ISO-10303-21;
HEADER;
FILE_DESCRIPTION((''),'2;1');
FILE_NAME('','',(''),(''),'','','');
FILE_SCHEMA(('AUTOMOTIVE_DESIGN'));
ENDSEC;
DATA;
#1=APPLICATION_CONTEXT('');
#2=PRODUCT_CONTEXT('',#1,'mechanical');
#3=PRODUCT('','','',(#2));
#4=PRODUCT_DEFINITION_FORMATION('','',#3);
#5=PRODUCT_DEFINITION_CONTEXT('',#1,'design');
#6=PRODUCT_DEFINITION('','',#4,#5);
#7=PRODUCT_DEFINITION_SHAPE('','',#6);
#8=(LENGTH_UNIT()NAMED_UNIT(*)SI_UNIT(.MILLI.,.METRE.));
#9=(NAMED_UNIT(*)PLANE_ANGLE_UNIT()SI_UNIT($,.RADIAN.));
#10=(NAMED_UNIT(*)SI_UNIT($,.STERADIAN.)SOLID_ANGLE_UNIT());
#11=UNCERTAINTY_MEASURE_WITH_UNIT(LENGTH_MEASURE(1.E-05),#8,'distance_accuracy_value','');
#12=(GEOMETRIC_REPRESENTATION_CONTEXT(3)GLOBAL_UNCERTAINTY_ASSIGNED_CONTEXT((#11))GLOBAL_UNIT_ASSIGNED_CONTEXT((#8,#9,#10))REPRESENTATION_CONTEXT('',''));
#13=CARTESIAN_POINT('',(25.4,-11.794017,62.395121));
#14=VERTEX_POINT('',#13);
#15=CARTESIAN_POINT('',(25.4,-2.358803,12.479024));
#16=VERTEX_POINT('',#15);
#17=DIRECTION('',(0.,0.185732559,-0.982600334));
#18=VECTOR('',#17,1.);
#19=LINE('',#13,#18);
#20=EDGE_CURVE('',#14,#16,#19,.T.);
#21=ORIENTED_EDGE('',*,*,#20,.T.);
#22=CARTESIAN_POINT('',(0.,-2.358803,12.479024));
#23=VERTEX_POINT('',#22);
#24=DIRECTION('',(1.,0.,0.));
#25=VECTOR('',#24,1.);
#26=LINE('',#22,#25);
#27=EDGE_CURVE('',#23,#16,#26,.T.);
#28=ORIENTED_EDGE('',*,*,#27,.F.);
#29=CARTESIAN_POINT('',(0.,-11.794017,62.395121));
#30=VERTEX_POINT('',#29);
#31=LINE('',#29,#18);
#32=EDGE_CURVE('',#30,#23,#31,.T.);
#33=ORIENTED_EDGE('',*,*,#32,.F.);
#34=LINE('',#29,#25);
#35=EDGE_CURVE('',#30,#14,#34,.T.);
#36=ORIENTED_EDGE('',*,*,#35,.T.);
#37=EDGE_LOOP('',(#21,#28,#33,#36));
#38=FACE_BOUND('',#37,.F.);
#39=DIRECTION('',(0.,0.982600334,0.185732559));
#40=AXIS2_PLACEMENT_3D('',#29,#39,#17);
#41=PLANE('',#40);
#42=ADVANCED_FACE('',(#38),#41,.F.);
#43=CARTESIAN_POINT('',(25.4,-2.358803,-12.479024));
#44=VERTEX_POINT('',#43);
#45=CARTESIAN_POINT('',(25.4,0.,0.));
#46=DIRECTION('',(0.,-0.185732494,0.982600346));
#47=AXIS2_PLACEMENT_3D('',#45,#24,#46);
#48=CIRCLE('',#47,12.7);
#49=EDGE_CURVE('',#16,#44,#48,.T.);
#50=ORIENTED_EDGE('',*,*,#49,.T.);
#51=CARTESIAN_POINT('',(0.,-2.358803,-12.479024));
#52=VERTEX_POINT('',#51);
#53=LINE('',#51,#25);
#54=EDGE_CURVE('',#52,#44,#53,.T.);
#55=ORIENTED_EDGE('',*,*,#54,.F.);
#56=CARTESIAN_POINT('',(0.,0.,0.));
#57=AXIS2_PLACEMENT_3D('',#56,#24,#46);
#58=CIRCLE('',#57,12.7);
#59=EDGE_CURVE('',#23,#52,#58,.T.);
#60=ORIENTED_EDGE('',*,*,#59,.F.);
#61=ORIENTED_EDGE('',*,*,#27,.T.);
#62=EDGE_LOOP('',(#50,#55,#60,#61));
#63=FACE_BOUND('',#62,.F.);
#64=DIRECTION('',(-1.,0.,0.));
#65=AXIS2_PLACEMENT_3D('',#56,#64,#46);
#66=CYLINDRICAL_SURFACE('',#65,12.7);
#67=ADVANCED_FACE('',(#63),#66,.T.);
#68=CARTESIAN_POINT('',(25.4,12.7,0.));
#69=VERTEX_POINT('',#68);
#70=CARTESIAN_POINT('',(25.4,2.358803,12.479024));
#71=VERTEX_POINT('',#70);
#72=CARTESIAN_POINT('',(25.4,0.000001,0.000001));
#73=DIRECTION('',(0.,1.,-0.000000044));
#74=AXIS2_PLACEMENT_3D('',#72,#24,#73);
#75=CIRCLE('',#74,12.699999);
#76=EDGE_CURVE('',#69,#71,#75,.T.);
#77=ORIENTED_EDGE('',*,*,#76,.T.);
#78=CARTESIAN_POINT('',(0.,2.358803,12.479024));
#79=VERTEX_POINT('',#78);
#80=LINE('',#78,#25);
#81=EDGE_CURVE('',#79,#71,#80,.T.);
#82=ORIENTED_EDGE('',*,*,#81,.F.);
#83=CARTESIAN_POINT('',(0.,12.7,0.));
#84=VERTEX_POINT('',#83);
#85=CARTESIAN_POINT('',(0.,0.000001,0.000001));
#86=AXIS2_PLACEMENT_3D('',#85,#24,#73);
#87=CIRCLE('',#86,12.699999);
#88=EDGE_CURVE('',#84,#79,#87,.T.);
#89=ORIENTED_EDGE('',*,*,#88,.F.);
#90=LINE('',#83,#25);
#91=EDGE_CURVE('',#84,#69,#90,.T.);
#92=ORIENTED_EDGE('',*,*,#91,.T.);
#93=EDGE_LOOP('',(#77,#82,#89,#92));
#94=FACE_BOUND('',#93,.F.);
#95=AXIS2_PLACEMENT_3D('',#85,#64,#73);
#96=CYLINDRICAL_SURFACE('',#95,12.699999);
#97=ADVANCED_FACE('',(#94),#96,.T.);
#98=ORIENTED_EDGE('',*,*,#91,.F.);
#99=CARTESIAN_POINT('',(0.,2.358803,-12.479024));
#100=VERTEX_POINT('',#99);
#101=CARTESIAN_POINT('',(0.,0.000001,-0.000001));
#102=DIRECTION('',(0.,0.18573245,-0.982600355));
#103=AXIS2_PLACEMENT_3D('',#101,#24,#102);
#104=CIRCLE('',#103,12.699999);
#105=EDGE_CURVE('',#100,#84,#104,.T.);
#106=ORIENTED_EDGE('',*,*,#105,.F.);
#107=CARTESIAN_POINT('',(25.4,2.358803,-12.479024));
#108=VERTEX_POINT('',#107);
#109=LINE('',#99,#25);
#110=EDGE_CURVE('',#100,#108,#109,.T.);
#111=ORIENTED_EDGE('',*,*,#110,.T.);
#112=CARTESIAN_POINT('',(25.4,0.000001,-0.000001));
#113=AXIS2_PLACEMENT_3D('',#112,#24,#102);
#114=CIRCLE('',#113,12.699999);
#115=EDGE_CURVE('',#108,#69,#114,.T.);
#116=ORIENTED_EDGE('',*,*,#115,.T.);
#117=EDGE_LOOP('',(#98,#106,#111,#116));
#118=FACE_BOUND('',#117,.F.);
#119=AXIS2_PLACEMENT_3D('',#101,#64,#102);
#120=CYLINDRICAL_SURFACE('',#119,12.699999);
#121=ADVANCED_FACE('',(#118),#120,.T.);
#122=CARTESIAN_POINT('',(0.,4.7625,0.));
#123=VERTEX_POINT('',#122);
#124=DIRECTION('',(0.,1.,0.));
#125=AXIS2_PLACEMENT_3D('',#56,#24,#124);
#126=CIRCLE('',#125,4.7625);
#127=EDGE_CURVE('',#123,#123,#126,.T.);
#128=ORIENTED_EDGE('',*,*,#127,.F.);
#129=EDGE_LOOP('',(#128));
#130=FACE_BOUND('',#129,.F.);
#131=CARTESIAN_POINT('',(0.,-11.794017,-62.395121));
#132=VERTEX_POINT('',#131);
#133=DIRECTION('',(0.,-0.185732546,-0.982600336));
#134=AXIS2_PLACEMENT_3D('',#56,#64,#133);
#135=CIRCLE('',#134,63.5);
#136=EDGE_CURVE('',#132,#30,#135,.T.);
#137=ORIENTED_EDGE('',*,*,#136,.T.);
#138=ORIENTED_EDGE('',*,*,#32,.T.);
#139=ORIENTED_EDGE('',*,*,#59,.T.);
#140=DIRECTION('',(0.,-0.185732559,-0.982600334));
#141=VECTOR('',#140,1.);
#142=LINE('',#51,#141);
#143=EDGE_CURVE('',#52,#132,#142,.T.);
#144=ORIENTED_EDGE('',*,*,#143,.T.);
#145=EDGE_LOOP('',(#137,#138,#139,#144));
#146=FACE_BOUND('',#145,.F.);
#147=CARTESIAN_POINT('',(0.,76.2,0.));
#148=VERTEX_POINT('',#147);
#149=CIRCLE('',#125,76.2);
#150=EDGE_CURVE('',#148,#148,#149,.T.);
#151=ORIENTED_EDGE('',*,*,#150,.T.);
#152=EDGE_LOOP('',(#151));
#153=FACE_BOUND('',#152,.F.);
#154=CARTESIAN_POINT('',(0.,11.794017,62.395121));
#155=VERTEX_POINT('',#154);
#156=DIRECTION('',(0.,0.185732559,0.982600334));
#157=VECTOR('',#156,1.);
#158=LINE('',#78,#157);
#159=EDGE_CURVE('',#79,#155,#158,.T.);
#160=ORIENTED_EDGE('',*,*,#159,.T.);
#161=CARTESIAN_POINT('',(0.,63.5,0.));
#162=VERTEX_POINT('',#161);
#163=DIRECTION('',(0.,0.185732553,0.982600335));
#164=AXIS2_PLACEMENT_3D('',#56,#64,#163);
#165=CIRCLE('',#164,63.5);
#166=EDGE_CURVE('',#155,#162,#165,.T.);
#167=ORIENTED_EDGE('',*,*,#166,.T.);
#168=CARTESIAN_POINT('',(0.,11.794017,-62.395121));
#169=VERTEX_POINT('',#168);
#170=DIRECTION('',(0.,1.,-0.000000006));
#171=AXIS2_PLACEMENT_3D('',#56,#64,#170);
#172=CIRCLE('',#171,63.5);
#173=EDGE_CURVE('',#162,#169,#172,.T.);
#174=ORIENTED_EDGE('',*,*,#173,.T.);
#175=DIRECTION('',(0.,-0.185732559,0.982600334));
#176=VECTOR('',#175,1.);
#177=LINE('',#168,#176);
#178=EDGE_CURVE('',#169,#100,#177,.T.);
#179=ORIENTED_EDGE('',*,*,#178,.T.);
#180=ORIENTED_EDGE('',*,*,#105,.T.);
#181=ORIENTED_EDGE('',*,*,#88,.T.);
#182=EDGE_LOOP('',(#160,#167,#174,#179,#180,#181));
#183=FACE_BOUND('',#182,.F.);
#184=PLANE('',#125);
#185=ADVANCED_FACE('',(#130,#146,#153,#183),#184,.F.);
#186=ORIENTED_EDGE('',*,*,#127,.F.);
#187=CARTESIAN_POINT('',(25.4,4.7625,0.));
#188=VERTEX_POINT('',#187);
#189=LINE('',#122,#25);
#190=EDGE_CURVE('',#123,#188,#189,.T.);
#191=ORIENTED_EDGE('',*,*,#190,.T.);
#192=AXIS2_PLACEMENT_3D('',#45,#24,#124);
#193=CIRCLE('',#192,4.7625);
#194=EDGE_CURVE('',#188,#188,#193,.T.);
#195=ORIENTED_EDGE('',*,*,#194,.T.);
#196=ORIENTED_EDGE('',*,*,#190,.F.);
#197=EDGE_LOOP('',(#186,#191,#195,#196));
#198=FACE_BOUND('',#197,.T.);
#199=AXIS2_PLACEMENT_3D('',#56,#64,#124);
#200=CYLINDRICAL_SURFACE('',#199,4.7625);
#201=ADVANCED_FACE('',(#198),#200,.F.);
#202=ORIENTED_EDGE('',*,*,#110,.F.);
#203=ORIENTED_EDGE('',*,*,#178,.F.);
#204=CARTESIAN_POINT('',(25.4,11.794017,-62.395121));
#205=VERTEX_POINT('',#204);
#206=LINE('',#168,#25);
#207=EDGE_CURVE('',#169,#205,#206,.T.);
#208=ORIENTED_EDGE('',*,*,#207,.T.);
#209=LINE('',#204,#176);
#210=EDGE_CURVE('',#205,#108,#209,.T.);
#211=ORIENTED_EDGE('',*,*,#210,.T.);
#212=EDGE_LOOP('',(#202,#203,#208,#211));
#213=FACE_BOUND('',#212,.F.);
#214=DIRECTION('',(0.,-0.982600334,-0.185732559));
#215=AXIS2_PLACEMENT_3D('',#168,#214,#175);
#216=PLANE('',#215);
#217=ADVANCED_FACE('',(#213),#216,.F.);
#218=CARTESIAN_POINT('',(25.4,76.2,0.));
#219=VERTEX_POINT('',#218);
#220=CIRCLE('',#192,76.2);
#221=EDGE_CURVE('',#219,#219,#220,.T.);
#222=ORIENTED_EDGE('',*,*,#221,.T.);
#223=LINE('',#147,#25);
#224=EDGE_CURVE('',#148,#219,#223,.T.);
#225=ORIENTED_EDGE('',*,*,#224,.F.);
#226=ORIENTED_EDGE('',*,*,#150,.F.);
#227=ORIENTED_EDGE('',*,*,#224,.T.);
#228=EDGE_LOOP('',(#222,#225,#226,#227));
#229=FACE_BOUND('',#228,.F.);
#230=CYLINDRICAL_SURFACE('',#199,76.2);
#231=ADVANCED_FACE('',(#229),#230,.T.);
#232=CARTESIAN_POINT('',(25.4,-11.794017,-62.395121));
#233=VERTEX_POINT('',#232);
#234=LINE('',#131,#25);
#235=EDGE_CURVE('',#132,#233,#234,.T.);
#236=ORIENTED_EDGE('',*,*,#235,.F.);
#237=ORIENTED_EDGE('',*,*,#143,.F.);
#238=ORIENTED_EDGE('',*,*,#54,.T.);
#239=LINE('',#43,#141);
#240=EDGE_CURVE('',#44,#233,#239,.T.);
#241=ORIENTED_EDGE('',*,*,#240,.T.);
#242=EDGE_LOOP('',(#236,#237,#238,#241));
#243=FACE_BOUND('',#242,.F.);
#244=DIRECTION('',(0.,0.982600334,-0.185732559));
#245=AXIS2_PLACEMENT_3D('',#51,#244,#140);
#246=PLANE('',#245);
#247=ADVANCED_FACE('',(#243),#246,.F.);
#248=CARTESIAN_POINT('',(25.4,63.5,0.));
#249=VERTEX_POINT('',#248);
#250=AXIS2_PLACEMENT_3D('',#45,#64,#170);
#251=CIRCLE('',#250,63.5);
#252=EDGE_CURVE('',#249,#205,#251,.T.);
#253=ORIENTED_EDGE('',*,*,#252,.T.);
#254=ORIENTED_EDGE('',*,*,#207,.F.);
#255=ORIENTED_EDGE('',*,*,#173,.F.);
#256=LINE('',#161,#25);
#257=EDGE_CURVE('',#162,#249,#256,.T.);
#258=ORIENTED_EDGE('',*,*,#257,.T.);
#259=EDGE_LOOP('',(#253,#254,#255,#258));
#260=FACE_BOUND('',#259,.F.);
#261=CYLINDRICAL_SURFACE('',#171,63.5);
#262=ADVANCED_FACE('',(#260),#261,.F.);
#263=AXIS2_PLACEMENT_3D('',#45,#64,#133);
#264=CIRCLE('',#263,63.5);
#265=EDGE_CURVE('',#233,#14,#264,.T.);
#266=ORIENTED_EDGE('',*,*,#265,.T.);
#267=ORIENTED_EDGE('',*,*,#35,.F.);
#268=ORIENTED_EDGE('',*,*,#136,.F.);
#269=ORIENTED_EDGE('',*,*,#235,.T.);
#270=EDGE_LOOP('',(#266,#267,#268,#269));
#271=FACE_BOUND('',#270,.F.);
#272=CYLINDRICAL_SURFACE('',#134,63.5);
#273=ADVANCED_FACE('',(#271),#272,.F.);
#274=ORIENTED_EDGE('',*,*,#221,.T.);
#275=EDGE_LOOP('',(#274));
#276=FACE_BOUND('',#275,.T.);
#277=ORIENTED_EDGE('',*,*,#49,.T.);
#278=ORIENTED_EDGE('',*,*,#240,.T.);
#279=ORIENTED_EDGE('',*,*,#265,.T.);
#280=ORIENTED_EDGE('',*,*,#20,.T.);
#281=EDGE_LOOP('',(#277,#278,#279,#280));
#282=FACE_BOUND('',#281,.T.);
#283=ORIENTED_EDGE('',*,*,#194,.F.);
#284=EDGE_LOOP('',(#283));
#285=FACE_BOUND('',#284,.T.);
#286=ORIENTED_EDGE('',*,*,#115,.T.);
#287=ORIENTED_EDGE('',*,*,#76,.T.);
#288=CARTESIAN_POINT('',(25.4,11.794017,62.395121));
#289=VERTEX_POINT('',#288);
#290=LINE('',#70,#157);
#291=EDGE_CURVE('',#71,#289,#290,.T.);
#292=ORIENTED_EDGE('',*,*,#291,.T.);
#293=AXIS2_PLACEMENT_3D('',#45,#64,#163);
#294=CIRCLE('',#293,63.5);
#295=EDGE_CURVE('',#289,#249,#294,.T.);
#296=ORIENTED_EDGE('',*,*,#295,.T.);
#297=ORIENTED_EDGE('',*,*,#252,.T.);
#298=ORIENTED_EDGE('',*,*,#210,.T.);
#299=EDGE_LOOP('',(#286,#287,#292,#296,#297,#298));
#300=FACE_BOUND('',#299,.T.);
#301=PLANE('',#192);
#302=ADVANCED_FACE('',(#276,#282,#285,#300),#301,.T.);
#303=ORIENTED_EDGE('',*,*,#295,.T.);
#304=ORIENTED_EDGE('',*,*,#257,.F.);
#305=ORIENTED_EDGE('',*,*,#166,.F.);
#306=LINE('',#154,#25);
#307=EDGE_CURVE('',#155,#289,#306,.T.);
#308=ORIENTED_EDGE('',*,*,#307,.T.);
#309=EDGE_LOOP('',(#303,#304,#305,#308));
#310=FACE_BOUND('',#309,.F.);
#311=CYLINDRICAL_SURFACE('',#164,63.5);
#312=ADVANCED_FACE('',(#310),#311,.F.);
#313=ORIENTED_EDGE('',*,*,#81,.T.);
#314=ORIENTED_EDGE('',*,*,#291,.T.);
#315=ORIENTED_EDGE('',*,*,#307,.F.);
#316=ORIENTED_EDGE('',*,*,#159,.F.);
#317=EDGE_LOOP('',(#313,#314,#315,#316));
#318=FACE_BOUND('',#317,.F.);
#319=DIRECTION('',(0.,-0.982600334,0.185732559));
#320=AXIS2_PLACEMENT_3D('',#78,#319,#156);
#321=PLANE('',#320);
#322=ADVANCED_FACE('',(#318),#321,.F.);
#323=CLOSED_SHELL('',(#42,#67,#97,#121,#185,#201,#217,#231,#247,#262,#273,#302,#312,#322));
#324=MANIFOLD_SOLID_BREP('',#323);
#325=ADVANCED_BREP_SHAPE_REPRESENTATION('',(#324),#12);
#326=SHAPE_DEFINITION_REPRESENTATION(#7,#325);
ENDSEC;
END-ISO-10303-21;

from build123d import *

# Parameters (mm, degrees)
F0_R     = 76.2
F0_R_2   = 4.7625
F1_DEPTH = 25.4


with BuildPart() as f1:
    # F0 (on Right) → F1 (new body)
    with BuildSketch(Plane.YZ):
        Circle(F0_R)
        with BuildLine():
            ThreePointArc((11.794017, 62.395121), (48.893609, 40.517465), (63.5, 0))
            ThreePointArc((63.5, 0), (48.893609, -40.517465), (11.794017, -62.395121))
            ThreePointArc((11.794017, -62.395121), (0, -63.5), (-11.794017, -62.395121))
            ThreePointArc((-11.794017, -62.395121), (-63.5, 0), (-11.794017, 62.395121))
            ThreePointArc((-11.794017, 62.395121), (0, 63.5), (11.794017, 62.395121))
        make_face(mode=Mode.SUBTRACT)
        with BuildLine():
            Line((2.358803, 12.479024), (11.794017, 62.395121))
            ThreePointArc((11.794017, 62.395121), (0, 63.5), (-11.794017, 62.395121))
            Line((-11.794017, 62.395121), (-2.358803, 12.479024))
            ThreePointArc((-2.358803, 12.479024), (0, 12.7), (2.358803, 12.479024))
        make_face()
        with BuildLine():
            ThreePointArc((12.7, 0), (9.778722, 8.103493), (2.358803, 12.479024))
            ThreePointArc((2.358803, 12.479024), (0, 12.7), (-2.358803, 12.479024))
            ThreePointArc((-2.358803, 12.479024), (-12.7, 0), (-2.358803, -12.479024))
            ThreePointArc((-2.358803, -12.479024), (0, -12.7), (2.358803, -12.479024))
            ThreePointArc((2.358803, -12.479024), (9.778722, -8.103493), (12.7, 0))
        make_face()
        Circle(F0_R_2, mode=Mode.SUBTRACT)
        with BuildLine():
            ThreePointArc((-11.794017, -62.395121), (0, -63.5), (11.794017, -62.395121))
            Line((11.794017, -62.395121), (2.358803, -12.479024))
            ThreePointArc((2.358803, -12.479024), (0, -12.7), (-2.358803, -12.479024))
            Line((-2.358803, -12.479024), (-11.794017, -62.395121))
        make_face()
    extrude(amount=F1_DEPTH)


solid = f1.part
